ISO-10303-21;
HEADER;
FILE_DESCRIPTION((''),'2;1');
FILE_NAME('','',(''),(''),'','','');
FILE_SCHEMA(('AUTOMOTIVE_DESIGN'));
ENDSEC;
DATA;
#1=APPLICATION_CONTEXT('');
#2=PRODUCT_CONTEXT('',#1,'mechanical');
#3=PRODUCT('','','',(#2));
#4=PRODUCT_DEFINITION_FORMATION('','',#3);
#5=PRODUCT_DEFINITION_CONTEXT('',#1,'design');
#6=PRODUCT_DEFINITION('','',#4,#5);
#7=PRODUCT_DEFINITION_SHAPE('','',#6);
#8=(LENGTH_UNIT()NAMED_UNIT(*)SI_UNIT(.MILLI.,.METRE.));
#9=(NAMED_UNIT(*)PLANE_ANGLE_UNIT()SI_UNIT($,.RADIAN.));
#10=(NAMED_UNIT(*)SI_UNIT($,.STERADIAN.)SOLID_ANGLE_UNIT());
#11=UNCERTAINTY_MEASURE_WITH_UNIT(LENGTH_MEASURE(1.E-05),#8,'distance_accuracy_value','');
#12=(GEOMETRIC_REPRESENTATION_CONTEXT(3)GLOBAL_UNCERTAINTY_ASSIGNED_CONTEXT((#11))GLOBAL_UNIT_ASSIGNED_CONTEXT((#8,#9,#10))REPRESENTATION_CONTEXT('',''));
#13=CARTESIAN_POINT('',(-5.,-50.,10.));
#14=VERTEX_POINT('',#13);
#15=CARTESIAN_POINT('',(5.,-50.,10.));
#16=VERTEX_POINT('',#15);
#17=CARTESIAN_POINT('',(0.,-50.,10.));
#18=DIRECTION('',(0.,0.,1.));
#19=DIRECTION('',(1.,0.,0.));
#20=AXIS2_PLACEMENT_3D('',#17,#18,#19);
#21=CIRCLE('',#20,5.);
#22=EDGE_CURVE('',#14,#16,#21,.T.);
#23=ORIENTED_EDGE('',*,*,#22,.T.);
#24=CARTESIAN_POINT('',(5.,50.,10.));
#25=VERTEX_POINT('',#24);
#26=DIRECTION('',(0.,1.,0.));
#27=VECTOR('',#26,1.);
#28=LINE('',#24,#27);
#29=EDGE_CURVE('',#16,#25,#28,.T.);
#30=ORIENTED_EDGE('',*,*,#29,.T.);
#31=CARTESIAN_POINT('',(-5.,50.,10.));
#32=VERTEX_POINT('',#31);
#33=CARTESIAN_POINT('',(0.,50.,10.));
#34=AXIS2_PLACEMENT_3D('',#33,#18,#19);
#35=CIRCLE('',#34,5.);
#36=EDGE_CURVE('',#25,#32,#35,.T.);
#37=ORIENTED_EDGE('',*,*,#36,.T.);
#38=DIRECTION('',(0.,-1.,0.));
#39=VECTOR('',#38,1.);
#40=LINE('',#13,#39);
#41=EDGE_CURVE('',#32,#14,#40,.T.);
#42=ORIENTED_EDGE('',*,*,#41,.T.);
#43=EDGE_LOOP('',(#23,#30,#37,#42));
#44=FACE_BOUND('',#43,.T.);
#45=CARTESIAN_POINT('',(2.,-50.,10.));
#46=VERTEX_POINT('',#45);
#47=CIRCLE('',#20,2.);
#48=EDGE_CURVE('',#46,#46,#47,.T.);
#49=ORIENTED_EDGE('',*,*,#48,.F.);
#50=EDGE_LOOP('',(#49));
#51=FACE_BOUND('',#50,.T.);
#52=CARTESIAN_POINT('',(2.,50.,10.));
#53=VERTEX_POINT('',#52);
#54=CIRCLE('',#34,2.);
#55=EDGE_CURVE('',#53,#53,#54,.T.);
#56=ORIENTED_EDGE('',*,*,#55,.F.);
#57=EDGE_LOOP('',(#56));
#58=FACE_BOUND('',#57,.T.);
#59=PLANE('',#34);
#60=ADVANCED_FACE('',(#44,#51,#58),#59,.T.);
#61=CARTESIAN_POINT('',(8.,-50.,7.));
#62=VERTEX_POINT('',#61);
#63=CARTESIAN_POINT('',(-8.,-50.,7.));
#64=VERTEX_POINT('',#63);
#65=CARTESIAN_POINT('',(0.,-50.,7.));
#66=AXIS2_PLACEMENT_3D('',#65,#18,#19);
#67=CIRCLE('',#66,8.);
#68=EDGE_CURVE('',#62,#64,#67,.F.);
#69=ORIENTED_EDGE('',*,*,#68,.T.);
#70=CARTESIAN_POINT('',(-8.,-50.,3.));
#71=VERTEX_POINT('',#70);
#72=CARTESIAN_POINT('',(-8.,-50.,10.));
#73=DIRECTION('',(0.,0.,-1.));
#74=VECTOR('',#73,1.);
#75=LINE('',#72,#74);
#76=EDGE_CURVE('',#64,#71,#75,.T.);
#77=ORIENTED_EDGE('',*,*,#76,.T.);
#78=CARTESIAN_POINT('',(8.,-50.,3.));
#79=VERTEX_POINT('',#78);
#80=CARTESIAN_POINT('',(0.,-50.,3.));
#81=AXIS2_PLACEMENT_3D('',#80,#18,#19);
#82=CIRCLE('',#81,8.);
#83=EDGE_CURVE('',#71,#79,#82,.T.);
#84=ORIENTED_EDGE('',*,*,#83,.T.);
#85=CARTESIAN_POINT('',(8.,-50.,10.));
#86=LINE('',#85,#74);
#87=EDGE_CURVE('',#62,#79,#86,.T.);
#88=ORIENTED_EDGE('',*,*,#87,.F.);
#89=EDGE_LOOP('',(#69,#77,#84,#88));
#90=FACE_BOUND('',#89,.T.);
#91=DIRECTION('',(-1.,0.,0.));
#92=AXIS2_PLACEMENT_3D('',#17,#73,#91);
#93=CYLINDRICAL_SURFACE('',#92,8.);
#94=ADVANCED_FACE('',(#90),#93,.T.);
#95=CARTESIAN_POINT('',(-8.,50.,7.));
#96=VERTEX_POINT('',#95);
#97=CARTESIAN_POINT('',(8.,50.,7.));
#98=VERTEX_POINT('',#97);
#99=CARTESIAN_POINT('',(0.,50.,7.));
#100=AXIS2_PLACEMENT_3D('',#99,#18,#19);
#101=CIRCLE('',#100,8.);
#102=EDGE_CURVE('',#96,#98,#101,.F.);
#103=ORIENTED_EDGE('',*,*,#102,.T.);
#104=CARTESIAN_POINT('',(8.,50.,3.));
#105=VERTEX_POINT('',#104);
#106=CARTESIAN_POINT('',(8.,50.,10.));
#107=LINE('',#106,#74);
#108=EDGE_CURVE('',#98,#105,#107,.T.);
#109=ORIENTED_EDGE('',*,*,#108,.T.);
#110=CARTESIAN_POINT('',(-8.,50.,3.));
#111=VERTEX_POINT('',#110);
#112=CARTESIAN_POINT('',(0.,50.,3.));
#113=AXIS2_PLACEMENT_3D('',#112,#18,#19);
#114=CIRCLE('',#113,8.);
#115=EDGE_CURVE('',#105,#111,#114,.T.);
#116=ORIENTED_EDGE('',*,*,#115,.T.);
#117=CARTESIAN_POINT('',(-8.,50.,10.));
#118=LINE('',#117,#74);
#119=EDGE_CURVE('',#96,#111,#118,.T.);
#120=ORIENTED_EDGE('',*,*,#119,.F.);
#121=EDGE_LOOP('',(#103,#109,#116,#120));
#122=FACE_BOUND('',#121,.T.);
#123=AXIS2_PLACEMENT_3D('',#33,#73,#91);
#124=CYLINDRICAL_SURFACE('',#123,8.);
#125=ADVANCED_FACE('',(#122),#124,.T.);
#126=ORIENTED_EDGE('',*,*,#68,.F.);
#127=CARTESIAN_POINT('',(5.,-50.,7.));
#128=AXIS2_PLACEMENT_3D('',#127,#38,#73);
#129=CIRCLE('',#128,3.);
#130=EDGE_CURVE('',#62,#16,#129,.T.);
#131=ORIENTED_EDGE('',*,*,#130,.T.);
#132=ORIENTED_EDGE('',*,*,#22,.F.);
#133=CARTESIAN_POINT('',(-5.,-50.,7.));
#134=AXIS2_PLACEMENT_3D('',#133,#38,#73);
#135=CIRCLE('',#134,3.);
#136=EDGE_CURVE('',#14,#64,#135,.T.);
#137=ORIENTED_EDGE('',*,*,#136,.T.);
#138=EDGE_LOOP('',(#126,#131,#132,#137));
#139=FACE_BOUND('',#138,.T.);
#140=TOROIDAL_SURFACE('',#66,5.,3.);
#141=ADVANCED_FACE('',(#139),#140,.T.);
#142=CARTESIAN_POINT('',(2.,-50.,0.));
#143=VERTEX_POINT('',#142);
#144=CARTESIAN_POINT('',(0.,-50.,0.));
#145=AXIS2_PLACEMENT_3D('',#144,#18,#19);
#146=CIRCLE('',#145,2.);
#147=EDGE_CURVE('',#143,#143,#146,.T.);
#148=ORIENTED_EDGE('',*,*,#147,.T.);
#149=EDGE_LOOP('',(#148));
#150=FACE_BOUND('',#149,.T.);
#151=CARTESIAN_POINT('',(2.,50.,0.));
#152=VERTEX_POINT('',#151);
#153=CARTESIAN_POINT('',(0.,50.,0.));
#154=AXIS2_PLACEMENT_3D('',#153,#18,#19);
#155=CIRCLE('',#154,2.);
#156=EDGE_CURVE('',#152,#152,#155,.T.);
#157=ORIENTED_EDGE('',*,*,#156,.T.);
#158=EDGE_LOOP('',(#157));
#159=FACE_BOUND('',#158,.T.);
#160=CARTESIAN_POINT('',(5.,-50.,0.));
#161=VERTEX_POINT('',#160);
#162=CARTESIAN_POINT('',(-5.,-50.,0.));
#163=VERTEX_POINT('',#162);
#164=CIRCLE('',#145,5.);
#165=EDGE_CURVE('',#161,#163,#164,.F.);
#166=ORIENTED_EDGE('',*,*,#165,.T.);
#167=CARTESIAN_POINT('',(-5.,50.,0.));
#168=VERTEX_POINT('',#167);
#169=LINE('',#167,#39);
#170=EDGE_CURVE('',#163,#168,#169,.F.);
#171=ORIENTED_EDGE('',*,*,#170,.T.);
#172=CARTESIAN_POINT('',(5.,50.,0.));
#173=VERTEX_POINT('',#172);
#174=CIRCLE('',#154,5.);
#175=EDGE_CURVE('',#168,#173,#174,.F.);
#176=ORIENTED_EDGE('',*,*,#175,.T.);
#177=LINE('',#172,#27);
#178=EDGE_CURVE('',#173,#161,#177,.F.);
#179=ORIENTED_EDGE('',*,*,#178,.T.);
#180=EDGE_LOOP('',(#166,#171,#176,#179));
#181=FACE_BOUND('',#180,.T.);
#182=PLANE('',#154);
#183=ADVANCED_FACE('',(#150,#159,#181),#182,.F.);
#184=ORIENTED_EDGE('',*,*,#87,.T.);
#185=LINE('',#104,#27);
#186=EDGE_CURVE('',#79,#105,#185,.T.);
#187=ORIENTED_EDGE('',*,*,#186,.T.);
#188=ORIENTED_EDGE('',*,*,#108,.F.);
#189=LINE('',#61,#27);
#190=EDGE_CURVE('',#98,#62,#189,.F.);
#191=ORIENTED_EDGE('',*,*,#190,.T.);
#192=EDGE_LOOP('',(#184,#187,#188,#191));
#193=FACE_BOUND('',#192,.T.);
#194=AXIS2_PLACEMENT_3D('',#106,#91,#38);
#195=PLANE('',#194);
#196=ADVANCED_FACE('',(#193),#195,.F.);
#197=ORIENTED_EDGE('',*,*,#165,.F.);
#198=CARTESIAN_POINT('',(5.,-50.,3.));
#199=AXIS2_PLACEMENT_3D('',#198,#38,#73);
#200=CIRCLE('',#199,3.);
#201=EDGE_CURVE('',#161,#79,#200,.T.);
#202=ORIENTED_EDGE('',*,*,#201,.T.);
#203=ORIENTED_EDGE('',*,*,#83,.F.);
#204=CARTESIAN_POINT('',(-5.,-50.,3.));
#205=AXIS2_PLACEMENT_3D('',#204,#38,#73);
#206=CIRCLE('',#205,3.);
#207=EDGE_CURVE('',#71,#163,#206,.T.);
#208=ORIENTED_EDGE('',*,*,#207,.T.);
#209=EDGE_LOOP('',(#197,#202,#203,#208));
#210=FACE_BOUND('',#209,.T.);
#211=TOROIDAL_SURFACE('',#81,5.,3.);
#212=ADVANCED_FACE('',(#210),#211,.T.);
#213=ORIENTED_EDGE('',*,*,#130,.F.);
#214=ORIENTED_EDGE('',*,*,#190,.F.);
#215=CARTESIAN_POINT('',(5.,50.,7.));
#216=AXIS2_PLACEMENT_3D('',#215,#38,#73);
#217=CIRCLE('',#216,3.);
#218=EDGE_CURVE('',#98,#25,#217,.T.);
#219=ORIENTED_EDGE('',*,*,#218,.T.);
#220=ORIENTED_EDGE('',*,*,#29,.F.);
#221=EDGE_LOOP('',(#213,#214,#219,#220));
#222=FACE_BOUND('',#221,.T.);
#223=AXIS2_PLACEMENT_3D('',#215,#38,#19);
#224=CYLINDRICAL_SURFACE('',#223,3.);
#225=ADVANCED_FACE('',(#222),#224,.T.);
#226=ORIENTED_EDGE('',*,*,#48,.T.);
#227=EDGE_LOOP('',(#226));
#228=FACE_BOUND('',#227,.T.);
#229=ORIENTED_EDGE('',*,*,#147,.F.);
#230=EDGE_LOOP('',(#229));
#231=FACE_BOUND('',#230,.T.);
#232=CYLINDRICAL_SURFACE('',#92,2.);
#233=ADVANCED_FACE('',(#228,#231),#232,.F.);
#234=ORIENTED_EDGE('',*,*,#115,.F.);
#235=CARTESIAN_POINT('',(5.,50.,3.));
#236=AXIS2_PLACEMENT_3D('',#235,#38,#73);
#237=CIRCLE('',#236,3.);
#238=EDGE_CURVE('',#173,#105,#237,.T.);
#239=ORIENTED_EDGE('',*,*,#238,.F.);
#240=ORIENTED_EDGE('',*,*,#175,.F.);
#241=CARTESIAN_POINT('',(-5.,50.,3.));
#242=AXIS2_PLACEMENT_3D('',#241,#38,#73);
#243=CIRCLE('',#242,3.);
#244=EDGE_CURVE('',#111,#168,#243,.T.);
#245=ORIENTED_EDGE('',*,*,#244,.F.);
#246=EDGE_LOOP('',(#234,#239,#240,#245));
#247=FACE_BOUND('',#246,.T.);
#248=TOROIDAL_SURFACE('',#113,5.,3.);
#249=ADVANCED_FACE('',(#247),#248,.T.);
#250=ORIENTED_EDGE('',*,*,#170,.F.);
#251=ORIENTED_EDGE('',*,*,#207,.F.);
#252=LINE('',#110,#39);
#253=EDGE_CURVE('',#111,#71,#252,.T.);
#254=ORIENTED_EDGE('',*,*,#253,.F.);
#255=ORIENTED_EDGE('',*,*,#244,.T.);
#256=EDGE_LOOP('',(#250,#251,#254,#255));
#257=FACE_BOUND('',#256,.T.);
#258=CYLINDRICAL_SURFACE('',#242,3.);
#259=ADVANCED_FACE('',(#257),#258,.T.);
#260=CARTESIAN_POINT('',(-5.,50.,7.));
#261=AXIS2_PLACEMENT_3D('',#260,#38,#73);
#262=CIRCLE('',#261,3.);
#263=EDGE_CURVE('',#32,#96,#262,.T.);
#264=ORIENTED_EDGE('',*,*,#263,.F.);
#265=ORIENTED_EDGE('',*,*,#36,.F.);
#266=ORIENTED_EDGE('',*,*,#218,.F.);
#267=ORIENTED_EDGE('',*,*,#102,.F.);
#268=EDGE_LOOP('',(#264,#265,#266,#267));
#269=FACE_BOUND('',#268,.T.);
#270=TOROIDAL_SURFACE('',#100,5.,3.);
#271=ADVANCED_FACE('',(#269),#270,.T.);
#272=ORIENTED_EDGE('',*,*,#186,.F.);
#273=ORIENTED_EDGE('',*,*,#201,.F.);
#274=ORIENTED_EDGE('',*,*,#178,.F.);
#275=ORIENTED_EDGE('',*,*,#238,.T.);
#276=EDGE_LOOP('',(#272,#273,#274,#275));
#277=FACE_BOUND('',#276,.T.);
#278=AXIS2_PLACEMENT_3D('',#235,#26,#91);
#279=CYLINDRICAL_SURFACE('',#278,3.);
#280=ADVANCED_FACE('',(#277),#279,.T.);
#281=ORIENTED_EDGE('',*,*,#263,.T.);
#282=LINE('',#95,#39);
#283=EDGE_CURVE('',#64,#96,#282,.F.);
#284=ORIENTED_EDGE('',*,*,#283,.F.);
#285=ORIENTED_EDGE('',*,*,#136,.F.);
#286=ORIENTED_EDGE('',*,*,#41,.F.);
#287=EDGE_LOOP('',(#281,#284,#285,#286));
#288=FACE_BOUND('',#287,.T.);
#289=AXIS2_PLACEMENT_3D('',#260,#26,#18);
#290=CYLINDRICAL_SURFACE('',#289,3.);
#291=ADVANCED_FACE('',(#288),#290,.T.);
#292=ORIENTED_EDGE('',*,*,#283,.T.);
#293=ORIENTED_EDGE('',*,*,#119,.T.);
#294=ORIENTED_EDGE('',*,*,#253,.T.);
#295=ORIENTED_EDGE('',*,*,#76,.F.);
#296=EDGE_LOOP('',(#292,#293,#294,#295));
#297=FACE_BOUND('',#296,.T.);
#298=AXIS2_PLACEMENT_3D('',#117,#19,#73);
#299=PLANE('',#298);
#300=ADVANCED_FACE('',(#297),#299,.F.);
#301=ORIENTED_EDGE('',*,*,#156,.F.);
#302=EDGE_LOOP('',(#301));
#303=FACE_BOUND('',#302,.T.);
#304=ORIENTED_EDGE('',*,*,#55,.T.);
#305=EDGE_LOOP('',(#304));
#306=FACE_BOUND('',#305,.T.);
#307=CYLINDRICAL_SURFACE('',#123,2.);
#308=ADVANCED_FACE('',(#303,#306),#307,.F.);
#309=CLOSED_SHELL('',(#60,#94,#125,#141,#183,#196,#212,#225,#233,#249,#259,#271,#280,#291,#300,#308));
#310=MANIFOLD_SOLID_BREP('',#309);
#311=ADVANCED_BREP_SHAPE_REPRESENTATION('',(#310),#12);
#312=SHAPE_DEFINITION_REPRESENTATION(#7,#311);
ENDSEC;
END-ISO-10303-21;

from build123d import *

# Parameters (mm, degrees)
SKETCH2_R           = 2
BOSS_EXTRUDE1_DEPTH = 10
FILLET2_R           = 3


with BuildPart() as part:
    # Sketch2 → Boss-Extrude1 (new body)
    with BuildSketch(Plane.XY):
        with BuildLine():
            Line((8, 50), (8, -50))
            ThreePointArc((8, -50), (0, -58), (-8, -50))
            Line((-8, -50), (-8, 50))
            ThreePointArc((-8, 50), (0, 58), (8, 50))
        make_face()
        with Locations((0, 50)):
            Circle(SKETCH2_R, mode=Mode.SUBTRACT)
        with Locations((0, -50)):
            Circle(SKETCH2_R, mode=Mode.SUBTRACT)
    extrude(amount=BOSS_EXTRUDE1_DEPTH)

    # Fillet2
    fillet2_edges = [part.edges().sort_by_distance(p)[0] for p in [
        (0, -58, 10),
        (8, 0, 10),
        (0, 58, 10),
        (8, 0, 0),
        (0, -58, 0),
        (-8, 0, 0),
        (0, 58, 0),
        (-8, 0, 10),
    ]]
    fillet(fillet2_edges, radius=FILLET2_R)


solid = part.part
